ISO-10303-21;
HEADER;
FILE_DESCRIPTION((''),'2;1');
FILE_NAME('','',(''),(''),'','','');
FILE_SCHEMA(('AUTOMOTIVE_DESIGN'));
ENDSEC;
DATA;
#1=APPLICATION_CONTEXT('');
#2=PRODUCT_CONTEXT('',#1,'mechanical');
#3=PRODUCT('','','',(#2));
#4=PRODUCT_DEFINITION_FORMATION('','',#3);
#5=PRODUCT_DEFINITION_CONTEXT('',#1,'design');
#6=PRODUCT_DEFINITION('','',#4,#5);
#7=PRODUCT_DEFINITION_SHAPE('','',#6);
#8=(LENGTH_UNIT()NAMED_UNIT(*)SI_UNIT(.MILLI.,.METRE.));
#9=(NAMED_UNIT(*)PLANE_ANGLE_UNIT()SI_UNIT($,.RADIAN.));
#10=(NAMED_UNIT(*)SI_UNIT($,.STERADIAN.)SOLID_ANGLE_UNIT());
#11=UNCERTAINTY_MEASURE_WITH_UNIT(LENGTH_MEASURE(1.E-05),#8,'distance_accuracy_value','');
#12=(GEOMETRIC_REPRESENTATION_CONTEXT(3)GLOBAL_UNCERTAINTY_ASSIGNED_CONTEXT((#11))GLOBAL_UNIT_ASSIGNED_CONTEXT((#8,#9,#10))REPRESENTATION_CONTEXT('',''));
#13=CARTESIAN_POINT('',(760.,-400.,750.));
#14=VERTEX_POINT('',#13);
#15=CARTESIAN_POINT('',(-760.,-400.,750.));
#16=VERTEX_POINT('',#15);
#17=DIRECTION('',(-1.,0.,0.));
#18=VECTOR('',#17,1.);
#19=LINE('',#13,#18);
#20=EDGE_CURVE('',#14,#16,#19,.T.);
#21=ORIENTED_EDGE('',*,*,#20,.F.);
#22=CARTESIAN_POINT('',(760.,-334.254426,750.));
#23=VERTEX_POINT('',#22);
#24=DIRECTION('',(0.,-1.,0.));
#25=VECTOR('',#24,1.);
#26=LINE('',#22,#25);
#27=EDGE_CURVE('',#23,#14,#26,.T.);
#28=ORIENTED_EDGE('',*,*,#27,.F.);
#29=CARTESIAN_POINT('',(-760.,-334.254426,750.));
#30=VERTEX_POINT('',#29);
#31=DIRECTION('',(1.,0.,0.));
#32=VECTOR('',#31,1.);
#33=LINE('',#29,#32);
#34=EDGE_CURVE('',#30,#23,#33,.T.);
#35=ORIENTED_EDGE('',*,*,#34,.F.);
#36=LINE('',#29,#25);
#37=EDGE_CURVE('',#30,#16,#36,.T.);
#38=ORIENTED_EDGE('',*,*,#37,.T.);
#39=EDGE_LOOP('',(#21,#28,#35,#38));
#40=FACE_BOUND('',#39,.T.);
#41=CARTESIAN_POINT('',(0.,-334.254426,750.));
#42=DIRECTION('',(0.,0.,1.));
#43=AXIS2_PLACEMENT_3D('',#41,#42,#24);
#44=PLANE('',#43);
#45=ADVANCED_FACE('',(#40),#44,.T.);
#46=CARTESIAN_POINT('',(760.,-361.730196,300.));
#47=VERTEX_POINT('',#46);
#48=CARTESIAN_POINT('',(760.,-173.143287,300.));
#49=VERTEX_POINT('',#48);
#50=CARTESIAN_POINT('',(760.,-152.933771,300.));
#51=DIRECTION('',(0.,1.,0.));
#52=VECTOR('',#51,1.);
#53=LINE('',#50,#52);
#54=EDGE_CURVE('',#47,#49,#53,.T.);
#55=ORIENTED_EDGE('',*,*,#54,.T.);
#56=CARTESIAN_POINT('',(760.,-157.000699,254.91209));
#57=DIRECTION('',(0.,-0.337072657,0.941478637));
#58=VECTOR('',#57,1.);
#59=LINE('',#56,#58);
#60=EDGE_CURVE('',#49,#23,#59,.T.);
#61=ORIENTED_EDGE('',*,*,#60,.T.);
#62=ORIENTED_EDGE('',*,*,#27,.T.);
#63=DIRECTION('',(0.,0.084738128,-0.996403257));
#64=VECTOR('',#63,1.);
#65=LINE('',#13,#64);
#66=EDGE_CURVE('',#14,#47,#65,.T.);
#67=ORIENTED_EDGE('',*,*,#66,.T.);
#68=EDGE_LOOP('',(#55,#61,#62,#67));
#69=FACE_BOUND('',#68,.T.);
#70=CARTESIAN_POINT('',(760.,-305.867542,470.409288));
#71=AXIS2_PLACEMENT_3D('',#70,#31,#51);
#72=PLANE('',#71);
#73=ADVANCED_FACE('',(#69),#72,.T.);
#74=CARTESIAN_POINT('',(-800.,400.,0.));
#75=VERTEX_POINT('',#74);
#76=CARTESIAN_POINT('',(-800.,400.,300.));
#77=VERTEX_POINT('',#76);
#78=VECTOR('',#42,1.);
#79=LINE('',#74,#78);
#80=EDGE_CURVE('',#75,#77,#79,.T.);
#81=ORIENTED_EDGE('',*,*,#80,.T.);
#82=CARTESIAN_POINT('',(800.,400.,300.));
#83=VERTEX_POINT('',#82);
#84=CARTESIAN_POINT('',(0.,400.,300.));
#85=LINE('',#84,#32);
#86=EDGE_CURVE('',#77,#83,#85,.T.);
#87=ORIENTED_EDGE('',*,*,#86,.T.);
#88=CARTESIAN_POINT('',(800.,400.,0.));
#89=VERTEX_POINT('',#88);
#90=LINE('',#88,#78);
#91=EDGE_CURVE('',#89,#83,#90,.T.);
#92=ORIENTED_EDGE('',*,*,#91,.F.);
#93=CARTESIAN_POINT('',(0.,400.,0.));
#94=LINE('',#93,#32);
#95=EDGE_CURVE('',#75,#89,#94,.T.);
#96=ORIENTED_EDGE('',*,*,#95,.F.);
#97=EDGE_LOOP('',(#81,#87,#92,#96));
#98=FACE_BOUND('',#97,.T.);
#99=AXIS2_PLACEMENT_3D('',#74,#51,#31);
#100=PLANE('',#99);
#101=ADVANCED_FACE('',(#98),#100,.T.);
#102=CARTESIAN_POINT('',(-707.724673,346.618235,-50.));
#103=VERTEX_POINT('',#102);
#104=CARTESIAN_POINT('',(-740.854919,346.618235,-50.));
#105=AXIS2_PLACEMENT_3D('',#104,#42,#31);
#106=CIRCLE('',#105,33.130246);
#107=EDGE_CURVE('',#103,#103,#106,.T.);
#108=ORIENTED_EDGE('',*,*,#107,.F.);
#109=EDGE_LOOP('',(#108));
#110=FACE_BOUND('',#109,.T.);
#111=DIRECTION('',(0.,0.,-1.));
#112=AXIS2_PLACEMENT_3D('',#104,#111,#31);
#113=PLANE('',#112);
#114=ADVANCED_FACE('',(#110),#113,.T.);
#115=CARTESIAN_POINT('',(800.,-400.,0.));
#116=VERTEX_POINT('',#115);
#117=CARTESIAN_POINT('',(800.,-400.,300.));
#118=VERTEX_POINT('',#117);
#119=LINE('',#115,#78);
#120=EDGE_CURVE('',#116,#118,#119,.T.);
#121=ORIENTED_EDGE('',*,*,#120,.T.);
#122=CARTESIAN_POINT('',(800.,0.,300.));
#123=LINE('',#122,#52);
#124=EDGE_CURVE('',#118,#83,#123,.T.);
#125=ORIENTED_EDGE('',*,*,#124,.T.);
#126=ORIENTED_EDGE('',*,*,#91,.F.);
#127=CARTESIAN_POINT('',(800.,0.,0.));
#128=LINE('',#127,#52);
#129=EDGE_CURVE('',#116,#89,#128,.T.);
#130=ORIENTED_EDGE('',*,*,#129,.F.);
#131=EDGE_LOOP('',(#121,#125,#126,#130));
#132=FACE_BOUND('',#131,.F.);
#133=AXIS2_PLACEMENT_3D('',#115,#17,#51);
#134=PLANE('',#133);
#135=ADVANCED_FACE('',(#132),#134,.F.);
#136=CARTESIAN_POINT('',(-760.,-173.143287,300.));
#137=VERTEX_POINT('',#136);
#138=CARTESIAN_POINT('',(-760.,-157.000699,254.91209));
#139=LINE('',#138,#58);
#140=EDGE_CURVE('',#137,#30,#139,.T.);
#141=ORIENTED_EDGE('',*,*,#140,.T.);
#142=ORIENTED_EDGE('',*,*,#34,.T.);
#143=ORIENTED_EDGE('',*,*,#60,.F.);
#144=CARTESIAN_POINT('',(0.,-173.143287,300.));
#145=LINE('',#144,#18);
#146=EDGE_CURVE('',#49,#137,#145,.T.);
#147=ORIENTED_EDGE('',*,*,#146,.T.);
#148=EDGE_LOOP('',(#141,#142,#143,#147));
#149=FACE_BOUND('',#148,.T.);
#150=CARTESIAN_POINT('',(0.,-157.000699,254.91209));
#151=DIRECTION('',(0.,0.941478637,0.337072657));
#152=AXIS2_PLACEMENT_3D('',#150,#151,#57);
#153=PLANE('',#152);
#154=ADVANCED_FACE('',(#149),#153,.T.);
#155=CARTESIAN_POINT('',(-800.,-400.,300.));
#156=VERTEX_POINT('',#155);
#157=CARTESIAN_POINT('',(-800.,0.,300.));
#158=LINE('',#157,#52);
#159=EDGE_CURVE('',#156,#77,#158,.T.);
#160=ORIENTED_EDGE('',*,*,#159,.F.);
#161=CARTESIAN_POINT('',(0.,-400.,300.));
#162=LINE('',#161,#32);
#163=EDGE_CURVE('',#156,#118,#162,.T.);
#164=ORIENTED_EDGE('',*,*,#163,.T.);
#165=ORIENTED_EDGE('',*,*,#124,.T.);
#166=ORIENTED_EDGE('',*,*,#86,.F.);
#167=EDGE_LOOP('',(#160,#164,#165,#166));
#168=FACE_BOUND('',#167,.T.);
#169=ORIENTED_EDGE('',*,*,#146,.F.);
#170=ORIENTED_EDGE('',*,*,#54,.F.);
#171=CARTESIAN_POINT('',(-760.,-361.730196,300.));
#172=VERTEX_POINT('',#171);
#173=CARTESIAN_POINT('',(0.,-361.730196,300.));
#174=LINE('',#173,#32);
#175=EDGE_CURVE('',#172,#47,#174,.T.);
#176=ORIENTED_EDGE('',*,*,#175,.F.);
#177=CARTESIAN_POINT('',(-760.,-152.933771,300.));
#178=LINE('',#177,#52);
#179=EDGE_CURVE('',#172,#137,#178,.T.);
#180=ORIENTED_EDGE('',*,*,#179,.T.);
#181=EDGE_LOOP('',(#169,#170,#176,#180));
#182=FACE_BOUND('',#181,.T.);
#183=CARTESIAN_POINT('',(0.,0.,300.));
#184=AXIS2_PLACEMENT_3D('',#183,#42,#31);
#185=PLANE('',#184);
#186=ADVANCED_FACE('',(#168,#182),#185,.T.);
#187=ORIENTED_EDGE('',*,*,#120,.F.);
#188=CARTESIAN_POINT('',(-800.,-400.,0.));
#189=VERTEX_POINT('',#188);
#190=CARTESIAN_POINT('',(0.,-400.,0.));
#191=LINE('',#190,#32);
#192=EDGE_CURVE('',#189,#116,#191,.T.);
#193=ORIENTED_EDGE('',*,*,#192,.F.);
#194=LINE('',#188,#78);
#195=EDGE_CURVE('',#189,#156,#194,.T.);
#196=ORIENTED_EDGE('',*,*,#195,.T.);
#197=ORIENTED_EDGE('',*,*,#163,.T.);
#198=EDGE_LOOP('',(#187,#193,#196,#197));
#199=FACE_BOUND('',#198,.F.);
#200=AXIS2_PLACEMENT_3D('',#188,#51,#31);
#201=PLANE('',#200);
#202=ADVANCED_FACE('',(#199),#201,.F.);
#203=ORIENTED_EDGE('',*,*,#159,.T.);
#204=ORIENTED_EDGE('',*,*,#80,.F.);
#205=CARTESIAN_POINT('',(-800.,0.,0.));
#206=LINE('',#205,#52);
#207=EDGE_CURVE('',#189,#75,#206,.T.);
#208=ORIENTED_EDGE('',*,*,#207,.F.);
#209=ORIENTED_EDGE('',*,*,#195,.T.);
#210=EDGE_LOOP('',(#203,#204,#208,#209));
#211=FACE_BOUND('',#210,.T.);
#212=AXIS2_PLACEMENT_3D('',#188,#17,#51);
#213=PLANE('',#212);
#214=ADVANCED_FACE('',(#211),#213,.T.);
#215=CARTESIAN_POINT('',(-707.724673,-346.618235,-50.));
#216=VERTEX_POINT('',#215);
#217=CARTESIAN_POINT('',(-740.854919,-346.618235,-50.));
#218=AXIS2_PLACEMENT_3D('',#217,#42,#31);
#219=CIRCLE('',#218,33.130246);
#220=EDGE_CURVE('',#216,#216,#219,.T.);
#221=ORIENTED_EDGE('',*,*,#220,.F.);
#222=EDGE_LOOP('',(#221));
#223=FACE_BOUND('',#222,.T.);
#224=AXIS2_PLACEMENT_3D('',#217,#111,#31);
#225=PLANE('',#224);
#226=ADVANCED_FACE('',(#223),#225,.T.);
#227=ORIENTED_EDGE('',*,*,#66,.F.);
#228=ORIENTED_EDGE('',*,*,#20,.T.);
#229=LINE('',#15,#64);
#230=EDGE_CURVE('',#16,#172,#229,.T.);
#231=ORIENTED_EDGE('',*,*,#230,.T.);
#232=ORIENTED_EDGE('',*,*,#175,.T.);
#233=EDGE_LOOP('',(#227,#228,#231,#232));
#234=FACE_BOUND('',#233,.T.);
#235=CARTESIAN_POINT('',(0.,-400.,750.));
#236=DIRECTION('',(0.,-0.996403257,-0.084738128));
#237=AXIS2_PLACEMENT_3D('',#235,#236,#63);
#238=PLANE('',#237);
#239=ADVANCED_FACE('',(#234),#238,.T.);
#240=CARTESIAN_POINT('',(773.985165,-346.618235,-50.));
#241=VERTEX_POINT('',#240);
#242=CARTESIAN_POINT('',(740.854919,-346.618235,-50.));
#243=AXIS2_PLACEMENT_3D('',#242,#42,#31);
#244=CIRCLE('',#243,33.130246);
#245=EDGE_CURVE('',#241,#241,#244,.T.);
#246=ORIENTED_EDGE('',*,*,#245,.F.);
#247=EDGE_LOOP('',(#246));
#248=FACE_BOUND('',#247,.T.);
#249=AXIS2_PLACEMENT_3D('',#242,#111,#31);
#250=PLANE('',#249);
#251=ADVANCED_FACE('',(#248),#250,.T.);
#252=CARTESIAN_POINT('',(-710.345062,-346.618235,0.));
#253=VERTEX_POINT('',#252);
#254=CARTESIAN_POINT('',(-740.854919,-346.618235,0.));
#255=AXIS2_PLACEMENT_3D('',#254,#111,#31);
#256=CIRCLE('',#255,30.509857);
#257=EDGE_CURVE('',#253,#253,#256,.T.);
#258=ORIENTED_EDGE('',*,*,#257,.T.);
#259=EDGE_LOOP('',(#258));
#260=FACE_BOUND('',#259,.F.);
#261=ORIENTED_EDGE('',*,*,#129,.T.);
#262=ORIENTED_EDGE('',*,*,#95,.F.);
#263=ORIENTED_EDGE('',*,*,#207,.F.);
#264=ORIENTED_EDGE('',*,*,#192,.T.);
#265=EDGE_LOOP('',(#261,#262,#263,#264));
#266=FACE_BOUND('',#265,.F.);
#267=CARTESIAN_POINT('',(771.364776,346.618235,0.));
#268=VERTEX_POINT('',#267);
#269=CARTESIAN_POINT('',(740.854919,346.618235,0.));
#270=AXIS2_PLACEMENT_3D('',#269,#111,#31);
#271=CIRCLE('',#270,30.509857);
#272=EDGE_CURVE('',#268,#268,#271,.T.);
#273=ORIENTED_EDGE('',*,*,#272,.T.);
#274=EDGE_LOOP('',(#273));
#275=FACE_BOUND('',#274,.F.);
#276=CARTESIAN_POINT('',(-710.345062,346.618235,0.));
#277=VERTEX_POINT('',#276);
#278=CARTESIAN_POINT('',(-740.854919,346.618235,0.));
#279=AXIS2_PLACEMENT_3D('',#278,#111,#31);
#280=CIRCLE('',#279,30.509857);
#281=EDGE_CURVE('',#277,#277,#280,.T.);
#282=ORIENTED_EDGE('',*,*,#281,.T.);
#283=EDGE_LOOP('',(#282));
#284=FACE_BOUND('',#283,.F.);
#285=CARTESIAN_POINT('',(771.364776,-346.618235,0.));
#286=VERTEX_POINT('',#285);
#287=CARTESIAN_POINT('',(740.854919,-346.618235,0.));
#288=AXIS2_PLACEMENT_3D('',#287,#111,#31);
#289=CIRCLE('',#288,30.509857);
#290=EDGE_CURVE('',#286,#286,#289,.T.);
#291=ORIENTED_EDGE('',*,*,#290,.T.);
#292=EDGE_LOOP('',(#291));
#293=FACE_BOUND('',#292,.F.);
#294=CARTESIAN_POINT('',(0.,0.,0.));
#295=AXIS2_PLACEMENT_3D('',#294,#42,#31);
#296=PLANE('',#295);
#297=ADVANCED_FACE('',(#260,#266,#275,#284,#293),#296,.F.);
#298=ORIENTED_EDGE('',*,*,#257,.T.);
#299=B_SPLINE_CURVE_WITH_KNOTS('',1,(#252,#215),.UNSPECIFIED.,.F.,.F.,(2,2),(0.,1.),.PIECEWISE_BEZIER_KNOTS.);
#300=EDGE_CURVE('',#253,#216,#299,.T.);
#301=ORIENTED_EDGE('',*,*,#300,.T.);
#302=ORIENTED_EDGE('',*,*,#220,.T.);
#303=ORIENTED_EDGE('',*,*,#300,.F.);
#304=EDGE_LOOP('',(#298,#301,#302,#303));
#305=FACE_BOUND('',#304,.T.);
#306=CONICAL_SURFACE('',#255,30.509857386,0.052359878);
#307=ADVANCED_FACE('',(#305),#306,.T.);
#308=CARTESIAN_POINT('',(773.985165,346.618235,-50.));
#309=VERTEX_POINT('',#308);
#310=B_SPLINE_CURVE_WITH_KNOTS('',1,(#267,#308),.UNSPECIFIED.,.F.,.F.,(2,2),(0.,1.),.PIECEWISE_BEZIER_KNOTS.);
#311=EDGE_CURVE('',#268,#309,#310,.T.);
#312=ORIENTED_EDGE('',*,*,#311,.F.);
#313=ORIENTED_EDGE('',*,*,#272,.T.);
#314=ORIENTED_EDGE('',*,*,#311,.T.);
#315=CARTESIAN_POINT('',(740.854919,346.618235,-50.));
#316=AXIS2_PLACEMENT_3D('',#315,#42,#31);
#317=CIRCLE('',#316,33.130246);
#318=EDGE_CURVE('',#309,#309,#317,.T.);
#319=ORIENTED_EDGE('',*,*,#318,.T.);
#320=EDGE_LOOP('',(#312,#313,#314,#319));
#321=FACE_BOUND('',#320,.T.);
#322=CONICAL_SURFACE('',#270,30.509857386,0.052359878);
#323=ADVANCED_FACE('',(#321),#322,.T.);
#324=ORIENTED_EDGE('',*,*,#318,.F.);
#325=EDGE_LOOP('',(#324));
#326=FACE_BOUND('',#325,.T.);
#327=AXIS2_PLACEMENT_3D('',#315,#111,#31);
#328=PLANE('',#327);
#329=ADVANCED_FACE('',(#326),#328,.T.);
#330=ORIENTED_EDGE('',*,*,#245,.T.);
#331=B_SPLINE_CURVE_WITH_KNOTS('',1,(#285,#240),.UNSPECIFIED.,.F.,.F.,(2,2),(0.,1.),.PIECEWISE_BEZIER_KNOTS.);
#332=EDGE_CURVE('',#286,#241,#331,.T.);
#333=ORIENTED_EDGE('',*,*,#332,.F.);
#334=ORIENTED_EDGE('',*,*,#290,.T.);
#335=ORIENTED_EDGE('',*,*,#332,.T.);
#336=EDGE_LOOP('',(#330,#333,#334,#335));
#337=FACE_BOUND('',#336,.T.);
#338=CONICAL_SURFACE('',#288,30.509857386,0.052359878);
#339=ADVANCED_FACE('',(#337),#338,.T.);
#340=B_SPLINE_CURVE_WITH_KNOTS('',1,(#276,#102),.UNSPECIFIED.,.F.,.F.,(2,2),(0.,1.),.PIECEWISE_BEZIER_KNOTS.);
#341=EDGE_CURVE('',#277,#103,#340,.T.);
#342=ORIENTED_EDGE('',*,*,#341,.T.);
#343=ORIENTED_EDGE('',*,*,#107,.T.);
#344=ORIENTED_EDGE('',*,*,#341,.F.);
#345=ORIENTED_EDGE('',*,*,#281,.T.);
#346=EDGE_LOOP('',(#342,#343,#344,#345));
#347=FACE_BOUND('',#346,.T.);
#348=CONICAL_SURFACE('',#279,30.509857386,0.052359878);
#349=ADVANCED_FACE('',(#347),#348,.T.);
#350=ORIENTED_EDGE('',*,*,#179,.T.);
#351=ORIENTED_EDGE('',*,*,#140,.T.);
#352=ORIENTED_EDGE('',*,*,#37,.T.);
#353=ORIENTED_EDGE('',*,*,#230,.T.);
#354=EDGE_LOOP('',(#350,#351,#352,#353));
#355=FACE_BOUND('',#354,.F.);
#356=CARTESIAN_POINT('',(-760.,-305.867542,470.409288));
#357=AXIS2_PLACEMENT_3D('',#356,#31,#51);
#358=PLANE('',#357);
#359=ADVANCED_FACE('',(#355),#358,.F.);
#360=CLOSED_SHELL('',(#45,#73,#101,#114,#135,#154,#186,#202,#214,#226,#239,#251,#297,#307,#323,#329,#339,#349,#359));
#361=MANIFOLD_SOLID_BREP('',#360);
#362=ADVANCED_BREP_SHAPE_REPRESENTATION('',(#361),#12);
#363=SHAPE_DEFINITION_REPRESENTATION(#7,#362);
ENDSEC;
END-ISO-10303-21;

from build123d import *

# Parameters (mm, degrees)
F0_W     = 1600
F0_H     = 800
F1_DEPTH = 300
F2_R     = 30.5098573856
F3_DEPTH = 50
F3_TAPER = -3
F5_DEPTH = 760


with BuildPart() as f1:
    # F0 (on Top) → F1 (new body)
    with BuildSketch(Plane.XY):
        Rectangle(F0_W, F0_H)
    extrude(amount=F1_DEPTH)

    # F2 (on face) → F3 (join)
    with BuildSketch(Plane(origin=(0, 0, 0), x_dir=(1, 0, 0), z_dir=(0, 0, -1))):
        with Locations((-740.8549189568, -346.6182351112)):
            Circle(F2_R)
        with Locations((740.8549189568, -346.6182351112)):
            Circle(F2_R)
        with Locations((740.8549189568, 346.6182351112)):
            Circle(F2_R)
        with Locations((-740.8549189568, 346.6182351112)):
            Circle(F2_R)
    extrude(amount=F3_DEPTH, taper=F3_TAPER)

    # F4 (on Right) → F5 (join, symmetric)
    with BuildSketch(Plane.YZ):
        Polygon((-355.8277244632, 230.5950983165), (-157.0006990349, 254.912089853), (-334.2544257721, 750), (-400, 750), align=None)
    extrude(amount=F5_DEPTH, both=True)


solid = f1.part
